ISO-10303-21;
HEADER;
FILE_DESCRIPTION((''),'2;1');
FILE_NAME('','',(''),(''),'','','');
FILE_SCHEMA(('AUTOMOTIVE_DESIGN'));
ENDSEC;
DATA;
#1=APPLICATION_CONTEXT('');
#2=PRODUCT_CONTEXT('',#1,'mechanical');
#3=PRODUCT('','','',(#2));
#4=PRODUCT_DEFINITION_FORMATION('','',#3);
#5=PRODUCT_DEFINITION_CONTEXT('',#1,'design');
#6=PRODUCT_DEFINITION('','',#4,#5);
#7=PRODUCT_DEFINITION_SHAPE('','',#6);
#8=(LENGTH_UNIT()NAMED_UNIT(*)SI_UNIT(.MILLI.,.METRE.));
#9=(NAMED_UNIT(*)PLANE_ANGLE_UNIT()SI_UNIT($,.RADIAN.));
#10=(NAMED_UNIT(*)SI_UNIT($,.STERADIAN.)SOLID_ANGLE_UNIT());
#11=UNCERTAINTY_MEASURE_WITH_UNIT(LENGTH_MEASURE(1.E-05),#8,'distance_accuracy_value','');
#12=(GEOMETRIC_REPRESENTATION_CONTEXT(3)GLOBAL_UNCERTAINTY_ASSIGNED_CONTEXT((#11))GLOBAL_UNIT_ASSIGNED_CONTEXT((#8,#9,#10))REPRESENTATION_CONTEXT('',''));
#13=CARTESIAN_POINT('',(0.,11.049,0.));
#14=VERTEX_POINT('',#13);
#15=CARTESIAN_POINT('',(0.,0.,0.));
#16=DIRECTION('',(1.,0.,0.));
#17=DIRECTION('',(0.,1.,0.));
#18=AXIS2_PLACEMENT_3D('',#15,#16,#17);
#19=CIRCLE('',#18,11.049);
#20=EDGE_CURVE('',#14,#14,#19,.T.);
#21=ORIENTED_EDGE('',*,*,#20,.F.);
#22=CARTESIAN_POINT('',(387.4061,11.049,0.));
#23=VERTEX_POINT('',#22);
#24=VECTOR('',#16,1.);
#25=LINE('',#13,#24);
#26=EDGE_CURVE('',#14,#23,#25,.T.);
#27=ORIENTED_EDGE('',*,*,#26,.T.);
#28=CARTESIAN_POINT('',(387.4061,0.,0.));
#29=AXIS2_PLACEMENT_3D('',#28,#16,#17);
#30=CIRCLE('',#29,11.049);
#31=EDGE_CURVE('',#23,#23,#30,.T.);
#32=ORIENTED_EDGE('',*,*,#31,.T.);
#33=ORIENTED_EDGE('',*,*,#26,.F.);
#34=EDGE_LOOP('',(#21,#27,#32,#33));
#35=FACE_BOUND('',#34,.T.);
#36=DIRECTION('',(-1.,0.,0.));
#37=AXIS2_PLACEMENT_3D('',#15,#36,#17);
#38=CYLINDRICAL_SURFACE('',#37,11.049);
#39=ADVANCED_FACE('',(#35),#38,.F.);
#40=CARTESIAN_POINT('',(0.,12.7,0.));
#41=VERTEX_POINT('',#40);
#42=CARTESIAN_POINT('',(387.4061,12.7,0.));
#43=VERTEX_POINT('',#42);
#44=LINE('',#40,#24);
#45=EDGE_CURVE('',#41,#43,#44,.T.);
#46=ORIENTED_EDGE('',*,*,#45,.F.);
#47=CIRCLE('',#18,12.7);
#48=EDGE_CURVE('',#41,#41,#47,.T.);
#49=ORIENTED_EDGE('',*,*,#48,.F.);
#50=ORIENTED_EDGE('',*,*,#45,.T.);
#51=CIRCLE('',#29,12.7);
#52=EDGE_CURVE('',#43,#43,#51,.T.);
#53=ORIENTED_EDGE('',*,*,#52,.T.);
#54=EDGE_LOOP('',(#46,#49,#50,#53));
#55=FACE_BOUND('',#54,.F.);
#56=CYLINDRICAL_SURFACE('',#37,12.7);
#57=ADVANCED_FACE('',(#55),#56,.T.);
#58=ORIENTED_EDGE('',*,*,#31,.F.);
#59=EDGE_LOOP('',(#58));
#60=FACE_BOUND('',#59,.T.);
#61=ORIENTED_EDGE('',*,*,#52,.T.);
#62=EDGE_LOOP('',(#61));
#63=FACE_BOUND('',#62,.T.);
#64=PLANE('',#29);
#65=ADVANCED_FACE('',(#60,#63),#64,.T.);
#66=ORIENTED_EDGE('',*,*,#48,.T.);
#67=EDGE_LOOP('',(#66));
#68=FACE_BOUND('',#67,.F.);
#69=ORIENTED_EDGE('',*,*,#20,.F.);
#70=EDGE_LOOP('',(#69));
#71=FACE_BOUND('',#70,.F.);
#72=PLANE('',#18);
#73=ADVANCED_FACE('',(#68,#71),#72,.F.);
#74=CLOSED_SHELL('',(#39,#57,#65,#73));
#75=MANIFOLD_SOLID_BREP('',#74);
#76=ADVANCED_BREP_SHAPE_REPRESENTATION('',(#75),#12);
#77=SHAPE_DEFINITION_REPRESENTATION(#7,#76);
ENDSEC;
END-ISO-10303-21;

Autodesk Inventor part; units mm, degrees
ref_plane "XZ Plane" through (0, 0, 0) normal (0, 1, 0) x (-1, 0, 0)
ref_plane "Start Plane" through (0, 0, 0) normal (1, 0, 0) x (0, 1, 0)
ref_plane "End Plane" through (387.4061, 0, 0) normal (1, 0, 0) x (0, 1, 0)
sketch "Sketch" plane through (0, 0, 0) normal (1, 0, 0) x (0, 1, 0)
  circle A0 centre (0, 0) radius 12.7
  circle A1 centre (0, 0) radius 11.049
  dimension "d0" = 25.4
  dimension "d1" = 1.651
extrude "Body" add sketch "Sketch" along normal up to surface (387.4061 mm away) from surface at 0
sketch "Sketch2" plane through (0, 0, 0) normal (1, 0, 0) x (0, 1, 0)
  line L0 (0, 0) -> (10, 0)
ref_plane "Work Plane3" through (0, 0, 0) normal (0, 0, -1) x (0, 1, 0)
sketch "Sketch3" plane through (0, 0, 0) normal (0, 0, -1) x (0, 1, 0)
  line L0 (-2, 0) -> (12, 0)
  line L1 (-2, 387.4061) -> (12, 387.4061)
  dimension "d9" = 387.4061
equation "\"G_OFFSET_START\" = 0"
equation "\"G_OFFSET_END\" = 0"
equation "\"d5\" = d2 + G_OFFSET_END"
equation "\"G_L\" = d9"
equation "\"d2\" = 387.406117"
properties part number "4130_1x0.065" material "Steel, Alloy"
